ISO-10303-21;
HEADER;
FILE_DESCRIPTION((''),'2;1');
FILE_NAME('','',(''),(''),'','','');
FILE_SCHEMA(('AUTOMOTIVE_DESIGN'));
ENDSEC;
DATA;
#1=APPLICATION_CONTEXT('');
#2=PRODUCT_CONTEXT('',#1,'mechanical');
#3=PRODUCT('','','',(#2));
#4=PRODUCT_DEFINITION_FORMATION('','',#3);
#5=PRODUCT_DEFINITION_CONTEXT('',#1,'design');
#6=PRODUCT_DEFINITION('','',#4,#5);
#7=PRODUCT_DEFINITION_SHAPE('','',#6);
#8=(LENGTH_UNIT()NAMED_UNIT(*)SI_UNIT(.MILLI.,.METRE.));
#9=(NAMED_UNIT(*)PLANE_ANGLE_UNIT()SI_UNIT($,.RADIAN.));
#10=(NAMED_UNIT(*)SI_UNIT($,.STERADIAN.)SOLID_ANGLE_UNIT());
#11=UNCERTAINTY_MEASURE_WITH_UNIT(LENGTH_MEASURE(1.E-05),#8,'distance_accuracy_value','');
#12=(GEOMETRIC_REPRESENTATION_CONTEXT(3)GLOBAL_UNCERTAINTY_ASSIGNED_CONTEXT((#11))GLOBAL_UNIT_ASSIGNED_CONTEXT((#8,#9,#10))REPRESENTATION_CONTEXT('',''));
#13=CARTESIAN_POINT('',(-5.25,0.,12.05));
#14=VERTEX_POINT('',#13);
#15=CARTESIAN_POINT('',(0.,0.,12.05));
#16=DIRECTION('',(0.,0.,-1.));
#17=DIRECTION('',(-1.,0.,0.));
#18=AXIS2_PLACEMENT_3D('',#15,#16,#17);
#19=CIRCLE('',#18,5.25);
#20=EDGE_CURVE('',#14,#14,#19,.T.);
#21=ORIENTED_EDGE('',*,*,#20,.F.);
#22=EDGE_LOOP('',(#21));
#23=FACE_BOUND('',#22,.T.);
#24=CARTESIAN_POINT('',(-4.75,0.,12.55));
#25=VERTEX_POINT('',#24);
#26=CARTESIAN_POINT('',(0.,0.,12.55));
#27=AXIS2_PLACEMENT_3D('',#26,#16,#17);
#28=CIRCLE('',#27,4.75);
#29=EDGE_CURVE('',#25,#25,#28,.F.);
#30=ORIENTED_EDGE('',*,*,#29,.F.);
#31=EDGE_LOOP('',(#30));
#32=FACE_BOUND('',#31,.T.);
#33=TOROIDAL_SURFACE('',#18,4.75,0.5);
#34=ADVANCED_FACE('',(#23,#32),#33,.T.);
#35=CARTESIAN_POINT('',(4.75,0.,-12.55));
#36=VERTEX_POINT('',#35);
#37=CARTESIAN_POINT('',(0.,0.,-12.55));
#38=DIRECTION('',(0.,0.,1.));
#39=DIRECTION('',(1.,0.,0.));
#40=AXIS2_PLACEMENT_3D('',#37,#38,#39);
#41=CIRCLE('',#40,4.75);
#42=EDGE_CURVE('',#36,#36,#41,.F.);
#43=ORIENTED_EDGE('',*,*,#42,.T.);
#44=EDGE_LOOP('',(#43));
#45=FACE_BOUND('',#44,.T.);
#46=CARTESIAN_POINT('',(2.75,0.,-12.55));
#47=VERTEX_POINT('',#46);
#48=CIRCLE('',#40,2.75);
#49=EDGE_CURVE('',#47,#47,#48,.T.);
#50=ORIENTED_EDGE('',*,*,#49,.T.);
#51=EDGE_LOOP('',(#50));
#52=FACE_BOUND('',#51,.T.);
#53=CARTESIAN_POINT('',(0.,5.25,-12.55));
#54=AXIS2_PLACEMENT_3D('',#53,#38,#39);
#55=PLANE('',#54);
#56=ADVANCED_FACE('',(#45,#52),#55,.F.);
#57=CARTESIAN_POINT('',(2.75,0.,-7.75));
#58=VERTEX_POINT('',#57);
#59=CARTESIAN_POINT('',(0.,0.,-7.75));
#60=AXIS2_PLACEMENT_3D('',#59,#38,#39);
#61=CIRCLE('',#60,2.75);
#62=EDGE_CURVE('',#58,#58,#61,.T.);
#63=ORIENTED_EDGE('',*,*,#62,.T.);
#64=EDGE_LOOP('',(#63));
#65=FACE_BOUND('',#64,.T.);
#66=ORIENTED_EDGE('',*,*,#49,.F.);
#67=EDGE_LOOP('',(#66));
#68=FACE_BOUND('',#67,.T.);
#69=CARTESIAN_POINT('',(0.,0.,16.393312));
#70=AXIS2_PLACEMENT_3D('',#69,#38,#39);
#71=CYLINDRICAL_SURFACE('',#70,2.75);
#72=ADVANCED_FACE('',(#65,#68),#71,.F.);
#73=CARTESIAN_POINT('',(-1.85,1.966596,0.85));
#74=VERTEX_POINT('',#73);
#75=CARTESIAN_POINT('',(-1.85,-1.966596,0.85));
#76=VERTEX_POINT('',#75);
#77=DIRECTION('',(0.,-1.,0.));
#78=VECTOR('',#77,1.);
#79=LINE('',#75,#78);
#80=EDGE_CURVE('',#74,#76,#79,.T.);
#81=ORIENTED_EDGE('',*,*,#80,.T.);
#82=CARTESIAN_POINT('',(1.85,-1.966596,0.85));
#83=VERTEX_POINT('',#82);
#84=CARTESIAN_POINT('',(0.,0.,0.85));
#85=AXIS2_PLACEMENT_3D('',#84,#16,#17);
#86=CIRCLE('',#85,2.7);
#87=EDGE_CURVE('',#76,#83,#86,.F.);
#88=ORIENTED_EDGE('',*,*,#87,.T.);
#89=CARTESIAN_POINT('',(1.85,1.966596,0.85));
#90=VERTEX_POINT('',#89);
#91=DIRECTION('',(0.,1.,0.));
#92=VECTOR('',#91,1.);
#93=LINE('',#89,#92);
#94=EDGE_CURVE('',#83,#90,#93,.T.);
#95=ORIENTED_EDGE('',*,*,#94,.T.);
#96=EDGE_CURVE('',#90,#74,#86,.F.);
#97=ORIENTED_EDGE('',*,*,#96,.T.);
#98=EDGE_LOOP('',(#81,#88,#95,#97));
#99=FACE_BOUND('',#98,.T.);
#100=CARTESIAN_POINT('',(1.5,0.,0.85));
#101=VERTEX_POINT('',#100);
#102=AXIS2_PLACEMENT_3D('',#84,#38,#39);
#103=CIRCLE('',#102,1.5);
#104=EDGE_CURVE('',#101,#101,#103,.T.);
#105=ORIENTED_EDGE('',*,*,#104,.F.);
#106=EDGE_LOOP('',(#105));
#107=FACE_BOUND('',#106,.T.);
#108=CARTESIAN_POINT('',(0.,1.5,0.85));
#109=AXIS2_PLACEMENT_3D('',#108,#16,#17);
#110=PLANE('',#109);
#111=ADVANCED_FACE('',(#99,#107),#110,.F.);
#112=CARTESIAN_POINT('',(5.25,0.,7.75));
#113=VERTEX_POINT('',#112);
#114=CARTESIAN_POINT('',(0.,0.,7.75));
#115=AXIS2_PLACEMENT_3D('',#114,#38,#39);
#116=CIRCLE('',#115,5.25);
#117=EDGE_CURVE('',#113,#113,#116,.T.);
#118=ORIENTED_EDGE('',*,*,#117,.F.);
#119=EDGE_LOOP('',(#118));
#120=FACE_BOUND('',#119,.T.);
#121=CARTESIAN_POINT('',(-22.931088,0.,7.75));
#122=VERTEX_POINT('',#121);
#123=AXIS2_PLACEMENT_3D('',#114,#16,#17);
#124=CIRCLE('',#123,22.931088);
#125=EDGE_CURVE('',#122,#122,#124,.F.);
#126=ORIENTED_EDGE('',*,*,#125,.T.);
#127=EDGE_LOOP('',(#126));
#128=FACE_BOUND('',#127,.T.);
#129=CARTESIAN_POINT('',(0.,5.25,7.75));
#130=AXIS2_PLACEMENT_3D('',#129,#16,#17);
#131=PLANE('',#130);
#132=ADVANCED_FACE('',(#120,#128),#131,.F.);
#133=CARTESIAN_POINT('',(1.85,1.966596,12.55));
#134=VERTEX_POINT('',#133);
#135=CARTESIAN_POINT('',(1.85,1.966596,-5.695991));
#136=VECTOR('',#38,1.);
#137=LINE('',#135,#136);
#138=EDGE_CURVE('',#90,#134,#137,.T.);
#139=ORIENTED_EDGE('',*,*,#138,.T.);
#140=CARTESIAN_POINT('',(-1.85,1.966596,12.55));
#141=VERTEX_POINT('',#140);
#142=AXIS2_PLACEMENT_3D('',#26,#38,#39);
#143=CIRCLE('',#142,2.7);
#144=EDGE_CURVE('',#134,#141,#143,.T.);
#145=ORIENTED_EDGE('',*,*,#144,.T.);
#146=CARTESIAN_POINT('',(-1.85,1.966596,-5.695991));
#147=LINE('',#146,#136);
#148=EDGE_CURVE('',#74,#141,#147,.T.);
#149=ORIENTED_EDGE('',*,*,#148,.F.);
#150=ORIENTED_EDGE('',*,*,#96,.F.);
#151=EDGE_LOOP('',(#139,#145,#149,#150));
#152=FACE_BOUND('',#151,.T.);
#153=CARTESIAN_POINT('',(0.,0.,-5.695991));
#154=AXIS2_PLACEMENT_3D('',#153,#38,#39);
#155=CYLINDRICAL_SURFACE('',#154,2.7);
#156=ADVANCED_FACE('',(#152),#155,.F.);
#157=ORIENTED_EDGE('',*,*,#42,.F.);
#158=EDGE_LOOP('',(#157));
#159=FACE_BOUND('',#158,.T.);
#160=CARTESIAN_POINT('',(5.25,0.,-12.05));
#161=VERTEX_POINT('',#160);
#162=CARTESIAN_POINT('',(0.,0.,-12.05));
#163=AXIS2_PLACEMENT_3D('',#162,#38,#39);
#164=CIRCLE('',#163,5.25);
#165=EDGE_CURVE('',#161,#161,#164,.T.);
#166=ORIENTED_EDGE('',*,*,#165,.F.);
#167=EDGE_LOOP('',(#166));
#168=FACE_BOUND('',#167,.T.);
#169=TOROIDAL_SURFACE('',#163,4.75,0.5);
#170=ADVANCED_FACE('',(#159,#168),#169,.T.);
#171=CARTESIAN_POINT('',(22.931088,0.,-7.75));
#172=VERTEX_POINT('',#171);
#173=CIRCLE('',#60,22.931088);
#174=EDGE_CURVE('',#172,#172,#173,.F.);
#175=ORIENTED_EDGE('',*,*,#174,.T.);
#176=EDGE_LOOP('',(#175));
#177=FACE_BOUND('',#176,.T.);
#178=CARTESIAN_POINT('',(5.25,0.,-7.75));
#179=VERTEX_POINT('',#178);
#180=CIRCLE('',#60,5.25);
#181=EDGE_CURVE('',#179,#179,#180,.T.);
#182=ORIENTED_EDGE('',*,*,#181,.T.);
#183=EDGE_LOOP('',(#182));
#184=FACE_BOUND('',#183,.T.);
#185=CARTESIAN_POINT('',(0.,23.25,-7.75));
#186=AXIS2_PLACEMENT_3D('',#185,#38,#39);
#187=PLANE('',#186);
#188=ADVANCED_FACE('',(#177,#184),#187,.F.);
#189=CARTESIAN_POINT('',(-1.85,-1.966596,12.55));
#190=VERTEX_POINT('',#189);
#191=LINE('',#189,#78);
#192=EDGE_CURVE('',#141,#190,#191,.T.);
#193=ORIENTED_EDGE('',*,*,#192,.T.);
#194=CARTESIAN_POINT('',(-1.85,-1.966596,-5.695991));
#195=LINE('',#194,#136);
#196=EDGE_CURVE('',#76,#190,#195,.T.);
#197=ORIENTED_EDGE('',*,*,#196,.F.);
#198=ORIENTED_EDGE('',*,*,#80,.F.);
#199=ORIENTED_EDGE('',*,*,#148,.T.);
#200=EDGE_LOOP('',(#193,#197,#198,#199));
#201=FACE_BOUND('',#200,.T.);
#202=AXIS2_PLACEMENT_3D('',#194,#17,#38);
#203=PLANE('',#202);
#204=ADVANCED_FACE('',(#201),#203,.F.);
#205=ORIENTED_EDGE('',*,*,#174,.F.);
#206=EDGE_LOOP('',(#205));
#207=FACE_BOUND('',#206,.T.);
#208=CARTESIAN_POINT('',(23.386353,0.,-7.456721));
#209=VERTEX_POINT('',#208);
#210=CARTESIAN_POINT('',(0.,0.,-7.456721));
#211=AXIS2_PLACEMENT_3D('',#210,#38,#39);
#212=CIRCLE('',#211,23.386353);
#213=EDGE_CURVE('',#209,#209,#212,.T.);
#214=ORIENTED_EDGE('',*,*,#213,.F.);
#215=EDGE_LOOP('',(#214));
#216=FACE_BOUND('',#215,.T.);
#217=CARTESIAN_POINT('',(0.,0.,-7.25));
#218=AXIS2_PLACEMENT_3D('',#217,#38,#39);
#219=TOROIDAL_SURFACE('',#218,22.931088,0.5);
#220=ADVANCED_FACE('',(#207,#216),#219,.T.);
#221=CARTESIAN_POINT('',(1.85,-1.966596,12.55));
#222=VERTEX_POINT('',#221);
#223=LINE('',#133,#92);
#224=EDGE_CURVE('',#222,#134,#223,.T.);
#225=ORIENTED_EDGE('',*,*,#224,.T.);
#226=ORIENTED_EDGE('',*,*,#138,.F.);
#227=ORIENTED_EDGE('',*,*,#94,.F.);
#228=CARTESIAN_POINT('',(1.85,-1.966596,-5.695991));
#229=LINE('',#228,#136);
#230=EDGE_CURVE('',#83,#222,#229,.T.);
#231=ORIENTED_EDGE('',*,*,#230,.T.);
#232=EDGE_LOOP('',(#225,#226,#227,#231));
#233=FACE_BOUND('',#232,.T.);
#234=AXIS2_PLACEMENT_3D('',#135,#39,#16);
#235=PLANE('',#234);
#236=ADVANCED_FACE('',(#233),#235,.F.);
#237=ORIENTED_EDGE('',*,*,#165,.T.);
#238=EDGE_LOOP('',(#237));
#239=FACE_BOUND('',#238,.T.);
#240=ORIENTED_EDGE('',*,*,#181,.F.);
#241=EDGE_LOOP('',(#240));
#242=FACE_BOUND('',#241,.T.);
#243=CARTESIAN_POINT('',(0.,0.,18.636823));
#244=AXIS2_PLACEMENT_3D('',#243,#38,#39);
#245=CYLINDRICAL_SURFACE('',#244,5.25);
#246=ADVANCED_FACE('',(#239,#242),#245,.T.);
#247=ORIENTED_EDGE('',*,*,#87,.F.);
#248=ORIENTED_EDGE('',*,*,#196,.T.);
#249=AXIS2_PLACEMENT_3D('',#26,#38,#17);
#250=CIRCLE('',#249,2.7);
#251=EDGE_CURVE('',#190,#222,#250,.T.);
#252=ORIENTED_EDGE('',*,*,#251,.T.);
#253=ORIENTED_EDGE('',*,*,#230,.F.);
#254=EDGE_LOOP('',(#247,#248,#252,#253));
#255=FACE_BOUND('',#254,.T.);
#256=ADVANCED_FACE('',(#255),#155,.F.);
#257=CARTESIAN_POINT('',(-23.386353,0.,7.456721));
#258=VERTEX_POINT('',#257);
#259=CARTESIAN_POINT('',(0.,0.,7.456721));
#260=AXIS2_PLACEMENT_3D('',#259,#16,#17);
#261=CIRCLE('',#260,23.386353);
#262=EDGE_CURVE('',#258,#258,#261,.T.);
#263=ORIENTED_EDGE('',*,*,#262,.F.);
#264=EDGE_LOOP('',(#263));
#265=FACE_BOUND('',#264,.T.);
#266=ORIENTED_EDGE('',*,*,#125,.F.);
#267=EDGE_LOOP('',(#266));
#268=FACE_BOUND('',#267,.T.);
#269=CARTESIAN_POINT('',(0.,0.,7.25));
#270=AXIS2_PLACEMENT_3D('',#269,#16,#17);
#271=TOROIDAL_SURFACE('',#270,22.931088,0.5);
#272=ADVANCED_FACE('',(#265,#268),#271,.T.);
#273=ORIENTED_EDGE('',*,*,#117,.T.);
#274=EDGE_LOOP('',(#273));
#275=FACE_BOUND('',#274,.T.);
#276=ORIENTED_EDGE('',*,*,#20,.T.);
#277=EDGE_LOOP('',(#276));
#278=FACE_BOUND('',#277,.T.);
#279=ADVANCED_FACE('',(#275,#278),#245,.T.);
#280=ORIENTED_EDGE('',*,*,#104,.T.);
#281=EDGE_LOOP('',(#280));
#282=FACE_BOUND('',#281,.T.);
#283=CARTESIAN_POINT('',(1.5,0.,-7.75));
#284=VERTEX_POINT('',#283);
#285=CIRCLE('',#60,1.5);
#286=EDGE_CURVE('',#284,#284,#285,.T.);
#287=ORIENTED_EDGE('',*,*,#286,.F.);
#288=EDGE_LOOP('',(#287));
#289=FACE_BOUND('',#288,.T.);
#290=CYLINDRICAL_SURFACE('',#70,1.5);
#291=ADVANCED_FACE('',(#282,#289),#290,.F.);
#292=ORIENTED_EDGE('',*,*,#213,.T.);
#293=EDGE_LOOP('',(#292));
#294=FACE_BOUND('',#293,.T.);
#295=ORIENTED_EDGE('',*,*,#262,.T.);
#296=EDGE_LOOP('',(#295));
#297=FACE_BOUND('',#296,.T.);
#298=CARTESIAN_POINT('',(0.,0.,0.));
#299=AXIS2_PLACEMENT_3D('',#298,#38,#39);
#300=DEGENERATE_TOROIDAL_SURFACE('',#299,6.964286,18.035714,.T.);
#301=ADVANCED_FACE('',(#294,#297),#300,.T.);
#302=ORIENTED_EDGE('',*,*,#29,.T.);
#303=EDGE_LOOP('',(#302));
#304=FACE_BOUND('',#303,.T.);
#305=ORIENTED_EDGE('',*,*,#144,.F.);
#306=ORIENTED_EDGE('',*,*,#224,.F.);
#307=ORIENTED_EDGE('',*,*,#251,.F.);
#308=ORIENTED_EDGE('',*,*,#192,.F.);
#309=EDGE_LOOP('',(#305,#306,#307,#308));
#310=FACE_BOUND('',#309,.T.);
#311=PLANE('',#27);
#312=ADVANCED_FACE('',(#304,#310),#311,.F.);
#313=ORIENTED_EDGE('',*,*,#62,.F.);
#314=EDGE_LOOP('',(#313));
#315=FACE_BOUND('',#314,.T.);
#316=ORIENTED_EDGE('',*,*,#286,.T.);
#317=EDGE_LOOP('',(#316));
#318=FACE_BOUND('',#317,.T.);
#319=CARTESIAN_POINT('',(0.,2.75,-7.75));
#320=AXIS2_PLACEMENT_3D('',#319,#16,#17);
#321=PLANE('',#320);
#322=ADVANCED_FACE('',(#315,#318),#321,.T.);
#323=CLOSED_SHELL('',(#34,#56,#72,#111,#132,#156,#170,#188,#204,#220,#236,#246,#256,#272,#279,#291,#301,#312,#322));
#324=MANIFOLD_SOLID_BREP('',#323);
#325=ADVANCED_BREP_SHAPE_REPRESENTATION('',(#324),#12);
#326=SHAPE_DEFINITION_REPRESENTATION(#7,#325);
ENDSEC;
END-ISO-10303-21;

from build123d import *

# Parameters (mm, degrees)
CUT_EXTRUDE1_DEPTH = 11.7
FILLET1_R          = 0.5


with BuildPart() as part:
    # Sketch1 → Revolve1 (revolve)
    with BuildSketch(Plane(origin=(0, 0, 0), x_dir=(0, 0, -1), z_dir=(1, 0, 0)), mode=Mode.PRIVATE) as revolve1_sk:
        with BuildLine():
            Line((-12.55, 0), (-12.55, 5.25))
            Line((-12.55, 5.25), (-7.75, 5.25))
            Line((-7.75, 5.25), (-7.75, 23.25))
            ThreePointArc((-7.75, 23.25), (0, 25), (7.75, 23.25))
            Line((7.75, 23.25), (7.75, 5.25))
            Line((7.75, 5.25), (12.55, 5.25))
            Line((12.55, 5.25), (12.55, 0))
            Line((12.55, 0), (-12.55, 0))
        make_face()
    revolve(revolve1_sk.sketch.rotate(Axis((0, 0, 18.636822546), (0, 0, -1)), 90), axis=Axis((0, 0, 18.636822546), (0, 0, -1)))

    # Sketch2 → Cut-Revolve1 (revolve, cut)
    with BuildSketch(Plane(origin=(0, 0, 0), x_dir=(0, 0, -1), z_dir=(1, 0, 0)), mode=Mode.PRIVATE) as cut_revolve1_sk:
        Polygon((12.55, 0), (12.55, 2.75), (7.75, 2.75), (7.75, 1.5), (-0.85, 1.5), (-0.85, 0), align=None)
    revolve(cut_revolve1_sk.sketch.rotate(Axis((0, 0, 16.393312062), (0, 0, -1)), 90), axis=Axis((0, 0, 16.393312062), (0, 0, -1)), mode=Mode.SUBTRACT)

    # Sketch3 → Cut-Extrude1 (cut)
    with BuildSketch(Plane.XY.offset(12.55)):
        with BuildLine():
            Line((-1.85, -1.966596044), (-1.85, 1.966596044))
            ThreePointArc((-1.85, 1.966596044), (0, 2.7), (1.85, 1.966596044))
            Line((1.85, 1.966596044), (1.85, -1.966596044))
            ThreePointArc((1.85, -1.966596044), (0, -2.7), (-1.85, -1.966596044))
        make_face()
    extrude(amount=-CUT_EXTRUDE1_DEPTH, mode=Mode.SUBTRACT)

    # Fillet1
    fillet1_edges = [part.edges().sort_by_distance(p)[0] for p in [
        (-5.25, 0, 12.55),
        (-23.25, 0, 7.75),
        (-23.25, 0, -7.75),
        (-5.25, 0, -12.55),
    ]]
    fillet(fillet1_edges, radius=FILLET1_R)


solid = part.part
